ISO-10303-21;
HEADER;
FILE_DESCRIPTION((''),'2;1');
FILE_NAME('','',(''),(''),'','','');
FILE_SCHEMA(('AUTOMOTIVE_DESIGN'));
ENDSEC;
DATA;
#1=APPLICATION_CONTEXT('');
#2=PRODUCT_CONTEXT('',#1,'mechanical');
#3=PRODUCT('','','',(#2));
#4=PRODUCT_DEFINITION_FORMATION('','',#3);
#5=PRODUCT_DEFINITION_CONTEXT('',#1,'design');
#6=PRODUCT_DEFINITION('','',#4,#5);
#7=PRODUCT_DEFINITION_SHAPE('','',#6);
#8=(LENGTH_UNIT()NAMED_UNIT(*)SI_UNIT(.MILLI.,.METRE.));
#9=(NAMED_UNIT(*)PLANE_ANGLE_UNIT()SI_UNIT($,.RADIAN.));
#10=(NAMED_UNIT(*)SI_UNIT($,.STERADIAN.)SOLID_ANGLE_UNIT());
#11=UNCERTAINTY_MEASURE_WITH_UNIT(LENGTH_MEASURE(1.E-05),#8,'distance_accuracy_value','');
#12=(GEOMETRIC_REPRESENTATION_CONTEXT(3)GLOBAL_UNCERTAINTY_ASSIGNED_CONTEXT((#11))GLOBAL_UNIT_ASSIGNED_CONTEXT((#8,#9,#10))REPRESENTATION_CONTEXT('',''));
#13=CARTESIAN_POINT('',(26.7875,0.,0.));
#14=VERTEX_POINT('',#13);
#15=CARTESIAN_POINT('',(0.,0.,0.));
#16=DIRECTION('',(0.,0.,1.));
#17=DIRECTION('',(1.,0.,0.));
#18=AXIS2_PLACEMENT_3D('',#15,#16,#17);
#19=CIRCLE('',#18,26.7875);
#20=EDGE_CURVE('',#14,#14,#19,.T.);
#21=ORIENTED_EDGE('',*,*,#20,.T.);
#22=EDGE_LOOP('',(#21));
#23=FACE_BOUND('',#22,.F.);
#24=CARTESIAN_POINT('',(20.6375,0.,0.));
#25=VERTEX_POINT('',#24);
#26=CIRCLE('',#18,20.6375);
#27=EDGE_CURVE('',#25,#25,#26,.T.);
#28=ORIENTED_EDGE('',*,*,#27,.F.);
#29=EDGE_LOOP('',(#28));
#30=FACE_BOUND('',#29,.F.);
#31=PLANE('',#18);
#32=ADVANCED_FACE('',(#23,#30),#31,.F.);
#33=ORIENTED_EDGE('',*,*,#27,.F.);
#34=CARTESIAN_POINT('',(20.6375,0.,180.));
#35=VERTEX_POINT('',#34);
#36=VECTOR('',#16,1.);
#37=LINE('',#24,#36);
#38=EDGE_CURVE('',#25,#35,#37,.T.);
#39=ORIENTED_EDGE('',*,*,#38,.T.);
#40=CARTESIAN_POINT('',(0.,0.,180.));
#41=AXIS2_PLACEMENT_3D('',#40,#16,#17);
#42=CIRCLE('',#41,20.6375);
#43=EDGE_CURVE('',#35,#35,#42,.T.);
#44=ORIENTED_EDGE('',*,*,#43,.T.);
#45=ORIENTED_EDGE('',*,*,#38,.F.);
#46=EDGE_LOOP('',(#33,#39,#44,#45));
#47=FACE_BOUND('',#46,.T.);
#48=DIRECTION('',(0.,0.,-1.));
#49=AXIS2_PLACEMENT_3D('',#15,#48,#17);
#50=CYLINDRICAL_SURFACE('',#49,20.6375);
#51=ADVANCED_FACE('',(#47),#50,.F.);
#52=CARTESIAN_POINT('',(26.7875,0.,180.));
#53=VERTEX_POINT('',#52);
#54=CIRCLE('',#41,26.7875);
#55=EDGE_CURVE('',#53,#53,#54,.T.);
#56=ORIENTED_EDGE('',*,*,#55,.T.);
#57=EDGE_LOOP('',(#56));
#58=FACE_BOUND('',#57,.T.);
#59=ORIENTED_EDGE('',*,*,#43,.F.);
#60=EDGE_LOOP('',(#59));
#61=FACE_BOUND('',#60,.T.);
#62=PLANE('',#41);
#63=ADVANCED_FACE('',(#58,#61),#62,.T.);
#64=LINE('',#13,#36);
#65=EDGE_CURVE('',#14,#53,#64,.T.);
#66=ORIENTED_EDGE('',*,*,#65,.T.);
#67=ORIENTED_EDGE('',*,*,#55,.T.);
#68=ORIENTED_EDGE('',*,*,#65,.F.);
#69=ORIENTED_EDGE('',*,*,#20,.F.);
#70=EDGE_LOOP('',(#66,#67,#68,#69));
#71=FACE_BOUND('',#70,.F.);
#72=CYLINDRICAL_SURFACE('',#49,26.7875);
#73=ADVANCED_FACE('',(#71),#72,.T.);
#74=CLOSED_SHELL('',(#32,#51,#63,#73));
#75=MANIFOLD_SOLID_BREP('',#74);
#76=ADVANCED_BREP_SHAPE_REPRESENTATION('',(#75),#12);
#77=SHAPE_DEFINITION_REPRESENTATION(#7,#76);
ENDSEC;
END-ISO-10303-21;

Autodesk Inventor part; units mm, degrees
ref_plane "YZ Plane" through (0, 0, 0) normal (1, 0, 0) x (0, 1, 0)
ref_plane "XZ Plane" through (0, 0, 0) normal (0, 1, 0) x (-1, 0, 0)
ref_plane "XY Plane" through (0, 0, 0) normal (0, 0, 1) x (1, 0, 0)
sketch "Sketch1" plane through (0, 0, 0) normal (0, 0, 1) x (1, 0, 0)
  circle A0 centre (0, 0) radius 20.6375
  circle A1 centre (0, 0) radius 26.7875
  dimension "d0" = 41.275
  dimension "d1" = 53.575
extrude "Extrusion1" add sketch "Sketch1" along normal blind 180
thread "Thread1" size "M16x2" class "6g" standard "ANSI Metric M Profile" full length
thread "Thread2" size "M16x2" class "6H" standard "ANSI Metric M Profile" full length
properties part number "4110_Bias_Coil_Layer1_MPSv2_v2" material "Copper"
